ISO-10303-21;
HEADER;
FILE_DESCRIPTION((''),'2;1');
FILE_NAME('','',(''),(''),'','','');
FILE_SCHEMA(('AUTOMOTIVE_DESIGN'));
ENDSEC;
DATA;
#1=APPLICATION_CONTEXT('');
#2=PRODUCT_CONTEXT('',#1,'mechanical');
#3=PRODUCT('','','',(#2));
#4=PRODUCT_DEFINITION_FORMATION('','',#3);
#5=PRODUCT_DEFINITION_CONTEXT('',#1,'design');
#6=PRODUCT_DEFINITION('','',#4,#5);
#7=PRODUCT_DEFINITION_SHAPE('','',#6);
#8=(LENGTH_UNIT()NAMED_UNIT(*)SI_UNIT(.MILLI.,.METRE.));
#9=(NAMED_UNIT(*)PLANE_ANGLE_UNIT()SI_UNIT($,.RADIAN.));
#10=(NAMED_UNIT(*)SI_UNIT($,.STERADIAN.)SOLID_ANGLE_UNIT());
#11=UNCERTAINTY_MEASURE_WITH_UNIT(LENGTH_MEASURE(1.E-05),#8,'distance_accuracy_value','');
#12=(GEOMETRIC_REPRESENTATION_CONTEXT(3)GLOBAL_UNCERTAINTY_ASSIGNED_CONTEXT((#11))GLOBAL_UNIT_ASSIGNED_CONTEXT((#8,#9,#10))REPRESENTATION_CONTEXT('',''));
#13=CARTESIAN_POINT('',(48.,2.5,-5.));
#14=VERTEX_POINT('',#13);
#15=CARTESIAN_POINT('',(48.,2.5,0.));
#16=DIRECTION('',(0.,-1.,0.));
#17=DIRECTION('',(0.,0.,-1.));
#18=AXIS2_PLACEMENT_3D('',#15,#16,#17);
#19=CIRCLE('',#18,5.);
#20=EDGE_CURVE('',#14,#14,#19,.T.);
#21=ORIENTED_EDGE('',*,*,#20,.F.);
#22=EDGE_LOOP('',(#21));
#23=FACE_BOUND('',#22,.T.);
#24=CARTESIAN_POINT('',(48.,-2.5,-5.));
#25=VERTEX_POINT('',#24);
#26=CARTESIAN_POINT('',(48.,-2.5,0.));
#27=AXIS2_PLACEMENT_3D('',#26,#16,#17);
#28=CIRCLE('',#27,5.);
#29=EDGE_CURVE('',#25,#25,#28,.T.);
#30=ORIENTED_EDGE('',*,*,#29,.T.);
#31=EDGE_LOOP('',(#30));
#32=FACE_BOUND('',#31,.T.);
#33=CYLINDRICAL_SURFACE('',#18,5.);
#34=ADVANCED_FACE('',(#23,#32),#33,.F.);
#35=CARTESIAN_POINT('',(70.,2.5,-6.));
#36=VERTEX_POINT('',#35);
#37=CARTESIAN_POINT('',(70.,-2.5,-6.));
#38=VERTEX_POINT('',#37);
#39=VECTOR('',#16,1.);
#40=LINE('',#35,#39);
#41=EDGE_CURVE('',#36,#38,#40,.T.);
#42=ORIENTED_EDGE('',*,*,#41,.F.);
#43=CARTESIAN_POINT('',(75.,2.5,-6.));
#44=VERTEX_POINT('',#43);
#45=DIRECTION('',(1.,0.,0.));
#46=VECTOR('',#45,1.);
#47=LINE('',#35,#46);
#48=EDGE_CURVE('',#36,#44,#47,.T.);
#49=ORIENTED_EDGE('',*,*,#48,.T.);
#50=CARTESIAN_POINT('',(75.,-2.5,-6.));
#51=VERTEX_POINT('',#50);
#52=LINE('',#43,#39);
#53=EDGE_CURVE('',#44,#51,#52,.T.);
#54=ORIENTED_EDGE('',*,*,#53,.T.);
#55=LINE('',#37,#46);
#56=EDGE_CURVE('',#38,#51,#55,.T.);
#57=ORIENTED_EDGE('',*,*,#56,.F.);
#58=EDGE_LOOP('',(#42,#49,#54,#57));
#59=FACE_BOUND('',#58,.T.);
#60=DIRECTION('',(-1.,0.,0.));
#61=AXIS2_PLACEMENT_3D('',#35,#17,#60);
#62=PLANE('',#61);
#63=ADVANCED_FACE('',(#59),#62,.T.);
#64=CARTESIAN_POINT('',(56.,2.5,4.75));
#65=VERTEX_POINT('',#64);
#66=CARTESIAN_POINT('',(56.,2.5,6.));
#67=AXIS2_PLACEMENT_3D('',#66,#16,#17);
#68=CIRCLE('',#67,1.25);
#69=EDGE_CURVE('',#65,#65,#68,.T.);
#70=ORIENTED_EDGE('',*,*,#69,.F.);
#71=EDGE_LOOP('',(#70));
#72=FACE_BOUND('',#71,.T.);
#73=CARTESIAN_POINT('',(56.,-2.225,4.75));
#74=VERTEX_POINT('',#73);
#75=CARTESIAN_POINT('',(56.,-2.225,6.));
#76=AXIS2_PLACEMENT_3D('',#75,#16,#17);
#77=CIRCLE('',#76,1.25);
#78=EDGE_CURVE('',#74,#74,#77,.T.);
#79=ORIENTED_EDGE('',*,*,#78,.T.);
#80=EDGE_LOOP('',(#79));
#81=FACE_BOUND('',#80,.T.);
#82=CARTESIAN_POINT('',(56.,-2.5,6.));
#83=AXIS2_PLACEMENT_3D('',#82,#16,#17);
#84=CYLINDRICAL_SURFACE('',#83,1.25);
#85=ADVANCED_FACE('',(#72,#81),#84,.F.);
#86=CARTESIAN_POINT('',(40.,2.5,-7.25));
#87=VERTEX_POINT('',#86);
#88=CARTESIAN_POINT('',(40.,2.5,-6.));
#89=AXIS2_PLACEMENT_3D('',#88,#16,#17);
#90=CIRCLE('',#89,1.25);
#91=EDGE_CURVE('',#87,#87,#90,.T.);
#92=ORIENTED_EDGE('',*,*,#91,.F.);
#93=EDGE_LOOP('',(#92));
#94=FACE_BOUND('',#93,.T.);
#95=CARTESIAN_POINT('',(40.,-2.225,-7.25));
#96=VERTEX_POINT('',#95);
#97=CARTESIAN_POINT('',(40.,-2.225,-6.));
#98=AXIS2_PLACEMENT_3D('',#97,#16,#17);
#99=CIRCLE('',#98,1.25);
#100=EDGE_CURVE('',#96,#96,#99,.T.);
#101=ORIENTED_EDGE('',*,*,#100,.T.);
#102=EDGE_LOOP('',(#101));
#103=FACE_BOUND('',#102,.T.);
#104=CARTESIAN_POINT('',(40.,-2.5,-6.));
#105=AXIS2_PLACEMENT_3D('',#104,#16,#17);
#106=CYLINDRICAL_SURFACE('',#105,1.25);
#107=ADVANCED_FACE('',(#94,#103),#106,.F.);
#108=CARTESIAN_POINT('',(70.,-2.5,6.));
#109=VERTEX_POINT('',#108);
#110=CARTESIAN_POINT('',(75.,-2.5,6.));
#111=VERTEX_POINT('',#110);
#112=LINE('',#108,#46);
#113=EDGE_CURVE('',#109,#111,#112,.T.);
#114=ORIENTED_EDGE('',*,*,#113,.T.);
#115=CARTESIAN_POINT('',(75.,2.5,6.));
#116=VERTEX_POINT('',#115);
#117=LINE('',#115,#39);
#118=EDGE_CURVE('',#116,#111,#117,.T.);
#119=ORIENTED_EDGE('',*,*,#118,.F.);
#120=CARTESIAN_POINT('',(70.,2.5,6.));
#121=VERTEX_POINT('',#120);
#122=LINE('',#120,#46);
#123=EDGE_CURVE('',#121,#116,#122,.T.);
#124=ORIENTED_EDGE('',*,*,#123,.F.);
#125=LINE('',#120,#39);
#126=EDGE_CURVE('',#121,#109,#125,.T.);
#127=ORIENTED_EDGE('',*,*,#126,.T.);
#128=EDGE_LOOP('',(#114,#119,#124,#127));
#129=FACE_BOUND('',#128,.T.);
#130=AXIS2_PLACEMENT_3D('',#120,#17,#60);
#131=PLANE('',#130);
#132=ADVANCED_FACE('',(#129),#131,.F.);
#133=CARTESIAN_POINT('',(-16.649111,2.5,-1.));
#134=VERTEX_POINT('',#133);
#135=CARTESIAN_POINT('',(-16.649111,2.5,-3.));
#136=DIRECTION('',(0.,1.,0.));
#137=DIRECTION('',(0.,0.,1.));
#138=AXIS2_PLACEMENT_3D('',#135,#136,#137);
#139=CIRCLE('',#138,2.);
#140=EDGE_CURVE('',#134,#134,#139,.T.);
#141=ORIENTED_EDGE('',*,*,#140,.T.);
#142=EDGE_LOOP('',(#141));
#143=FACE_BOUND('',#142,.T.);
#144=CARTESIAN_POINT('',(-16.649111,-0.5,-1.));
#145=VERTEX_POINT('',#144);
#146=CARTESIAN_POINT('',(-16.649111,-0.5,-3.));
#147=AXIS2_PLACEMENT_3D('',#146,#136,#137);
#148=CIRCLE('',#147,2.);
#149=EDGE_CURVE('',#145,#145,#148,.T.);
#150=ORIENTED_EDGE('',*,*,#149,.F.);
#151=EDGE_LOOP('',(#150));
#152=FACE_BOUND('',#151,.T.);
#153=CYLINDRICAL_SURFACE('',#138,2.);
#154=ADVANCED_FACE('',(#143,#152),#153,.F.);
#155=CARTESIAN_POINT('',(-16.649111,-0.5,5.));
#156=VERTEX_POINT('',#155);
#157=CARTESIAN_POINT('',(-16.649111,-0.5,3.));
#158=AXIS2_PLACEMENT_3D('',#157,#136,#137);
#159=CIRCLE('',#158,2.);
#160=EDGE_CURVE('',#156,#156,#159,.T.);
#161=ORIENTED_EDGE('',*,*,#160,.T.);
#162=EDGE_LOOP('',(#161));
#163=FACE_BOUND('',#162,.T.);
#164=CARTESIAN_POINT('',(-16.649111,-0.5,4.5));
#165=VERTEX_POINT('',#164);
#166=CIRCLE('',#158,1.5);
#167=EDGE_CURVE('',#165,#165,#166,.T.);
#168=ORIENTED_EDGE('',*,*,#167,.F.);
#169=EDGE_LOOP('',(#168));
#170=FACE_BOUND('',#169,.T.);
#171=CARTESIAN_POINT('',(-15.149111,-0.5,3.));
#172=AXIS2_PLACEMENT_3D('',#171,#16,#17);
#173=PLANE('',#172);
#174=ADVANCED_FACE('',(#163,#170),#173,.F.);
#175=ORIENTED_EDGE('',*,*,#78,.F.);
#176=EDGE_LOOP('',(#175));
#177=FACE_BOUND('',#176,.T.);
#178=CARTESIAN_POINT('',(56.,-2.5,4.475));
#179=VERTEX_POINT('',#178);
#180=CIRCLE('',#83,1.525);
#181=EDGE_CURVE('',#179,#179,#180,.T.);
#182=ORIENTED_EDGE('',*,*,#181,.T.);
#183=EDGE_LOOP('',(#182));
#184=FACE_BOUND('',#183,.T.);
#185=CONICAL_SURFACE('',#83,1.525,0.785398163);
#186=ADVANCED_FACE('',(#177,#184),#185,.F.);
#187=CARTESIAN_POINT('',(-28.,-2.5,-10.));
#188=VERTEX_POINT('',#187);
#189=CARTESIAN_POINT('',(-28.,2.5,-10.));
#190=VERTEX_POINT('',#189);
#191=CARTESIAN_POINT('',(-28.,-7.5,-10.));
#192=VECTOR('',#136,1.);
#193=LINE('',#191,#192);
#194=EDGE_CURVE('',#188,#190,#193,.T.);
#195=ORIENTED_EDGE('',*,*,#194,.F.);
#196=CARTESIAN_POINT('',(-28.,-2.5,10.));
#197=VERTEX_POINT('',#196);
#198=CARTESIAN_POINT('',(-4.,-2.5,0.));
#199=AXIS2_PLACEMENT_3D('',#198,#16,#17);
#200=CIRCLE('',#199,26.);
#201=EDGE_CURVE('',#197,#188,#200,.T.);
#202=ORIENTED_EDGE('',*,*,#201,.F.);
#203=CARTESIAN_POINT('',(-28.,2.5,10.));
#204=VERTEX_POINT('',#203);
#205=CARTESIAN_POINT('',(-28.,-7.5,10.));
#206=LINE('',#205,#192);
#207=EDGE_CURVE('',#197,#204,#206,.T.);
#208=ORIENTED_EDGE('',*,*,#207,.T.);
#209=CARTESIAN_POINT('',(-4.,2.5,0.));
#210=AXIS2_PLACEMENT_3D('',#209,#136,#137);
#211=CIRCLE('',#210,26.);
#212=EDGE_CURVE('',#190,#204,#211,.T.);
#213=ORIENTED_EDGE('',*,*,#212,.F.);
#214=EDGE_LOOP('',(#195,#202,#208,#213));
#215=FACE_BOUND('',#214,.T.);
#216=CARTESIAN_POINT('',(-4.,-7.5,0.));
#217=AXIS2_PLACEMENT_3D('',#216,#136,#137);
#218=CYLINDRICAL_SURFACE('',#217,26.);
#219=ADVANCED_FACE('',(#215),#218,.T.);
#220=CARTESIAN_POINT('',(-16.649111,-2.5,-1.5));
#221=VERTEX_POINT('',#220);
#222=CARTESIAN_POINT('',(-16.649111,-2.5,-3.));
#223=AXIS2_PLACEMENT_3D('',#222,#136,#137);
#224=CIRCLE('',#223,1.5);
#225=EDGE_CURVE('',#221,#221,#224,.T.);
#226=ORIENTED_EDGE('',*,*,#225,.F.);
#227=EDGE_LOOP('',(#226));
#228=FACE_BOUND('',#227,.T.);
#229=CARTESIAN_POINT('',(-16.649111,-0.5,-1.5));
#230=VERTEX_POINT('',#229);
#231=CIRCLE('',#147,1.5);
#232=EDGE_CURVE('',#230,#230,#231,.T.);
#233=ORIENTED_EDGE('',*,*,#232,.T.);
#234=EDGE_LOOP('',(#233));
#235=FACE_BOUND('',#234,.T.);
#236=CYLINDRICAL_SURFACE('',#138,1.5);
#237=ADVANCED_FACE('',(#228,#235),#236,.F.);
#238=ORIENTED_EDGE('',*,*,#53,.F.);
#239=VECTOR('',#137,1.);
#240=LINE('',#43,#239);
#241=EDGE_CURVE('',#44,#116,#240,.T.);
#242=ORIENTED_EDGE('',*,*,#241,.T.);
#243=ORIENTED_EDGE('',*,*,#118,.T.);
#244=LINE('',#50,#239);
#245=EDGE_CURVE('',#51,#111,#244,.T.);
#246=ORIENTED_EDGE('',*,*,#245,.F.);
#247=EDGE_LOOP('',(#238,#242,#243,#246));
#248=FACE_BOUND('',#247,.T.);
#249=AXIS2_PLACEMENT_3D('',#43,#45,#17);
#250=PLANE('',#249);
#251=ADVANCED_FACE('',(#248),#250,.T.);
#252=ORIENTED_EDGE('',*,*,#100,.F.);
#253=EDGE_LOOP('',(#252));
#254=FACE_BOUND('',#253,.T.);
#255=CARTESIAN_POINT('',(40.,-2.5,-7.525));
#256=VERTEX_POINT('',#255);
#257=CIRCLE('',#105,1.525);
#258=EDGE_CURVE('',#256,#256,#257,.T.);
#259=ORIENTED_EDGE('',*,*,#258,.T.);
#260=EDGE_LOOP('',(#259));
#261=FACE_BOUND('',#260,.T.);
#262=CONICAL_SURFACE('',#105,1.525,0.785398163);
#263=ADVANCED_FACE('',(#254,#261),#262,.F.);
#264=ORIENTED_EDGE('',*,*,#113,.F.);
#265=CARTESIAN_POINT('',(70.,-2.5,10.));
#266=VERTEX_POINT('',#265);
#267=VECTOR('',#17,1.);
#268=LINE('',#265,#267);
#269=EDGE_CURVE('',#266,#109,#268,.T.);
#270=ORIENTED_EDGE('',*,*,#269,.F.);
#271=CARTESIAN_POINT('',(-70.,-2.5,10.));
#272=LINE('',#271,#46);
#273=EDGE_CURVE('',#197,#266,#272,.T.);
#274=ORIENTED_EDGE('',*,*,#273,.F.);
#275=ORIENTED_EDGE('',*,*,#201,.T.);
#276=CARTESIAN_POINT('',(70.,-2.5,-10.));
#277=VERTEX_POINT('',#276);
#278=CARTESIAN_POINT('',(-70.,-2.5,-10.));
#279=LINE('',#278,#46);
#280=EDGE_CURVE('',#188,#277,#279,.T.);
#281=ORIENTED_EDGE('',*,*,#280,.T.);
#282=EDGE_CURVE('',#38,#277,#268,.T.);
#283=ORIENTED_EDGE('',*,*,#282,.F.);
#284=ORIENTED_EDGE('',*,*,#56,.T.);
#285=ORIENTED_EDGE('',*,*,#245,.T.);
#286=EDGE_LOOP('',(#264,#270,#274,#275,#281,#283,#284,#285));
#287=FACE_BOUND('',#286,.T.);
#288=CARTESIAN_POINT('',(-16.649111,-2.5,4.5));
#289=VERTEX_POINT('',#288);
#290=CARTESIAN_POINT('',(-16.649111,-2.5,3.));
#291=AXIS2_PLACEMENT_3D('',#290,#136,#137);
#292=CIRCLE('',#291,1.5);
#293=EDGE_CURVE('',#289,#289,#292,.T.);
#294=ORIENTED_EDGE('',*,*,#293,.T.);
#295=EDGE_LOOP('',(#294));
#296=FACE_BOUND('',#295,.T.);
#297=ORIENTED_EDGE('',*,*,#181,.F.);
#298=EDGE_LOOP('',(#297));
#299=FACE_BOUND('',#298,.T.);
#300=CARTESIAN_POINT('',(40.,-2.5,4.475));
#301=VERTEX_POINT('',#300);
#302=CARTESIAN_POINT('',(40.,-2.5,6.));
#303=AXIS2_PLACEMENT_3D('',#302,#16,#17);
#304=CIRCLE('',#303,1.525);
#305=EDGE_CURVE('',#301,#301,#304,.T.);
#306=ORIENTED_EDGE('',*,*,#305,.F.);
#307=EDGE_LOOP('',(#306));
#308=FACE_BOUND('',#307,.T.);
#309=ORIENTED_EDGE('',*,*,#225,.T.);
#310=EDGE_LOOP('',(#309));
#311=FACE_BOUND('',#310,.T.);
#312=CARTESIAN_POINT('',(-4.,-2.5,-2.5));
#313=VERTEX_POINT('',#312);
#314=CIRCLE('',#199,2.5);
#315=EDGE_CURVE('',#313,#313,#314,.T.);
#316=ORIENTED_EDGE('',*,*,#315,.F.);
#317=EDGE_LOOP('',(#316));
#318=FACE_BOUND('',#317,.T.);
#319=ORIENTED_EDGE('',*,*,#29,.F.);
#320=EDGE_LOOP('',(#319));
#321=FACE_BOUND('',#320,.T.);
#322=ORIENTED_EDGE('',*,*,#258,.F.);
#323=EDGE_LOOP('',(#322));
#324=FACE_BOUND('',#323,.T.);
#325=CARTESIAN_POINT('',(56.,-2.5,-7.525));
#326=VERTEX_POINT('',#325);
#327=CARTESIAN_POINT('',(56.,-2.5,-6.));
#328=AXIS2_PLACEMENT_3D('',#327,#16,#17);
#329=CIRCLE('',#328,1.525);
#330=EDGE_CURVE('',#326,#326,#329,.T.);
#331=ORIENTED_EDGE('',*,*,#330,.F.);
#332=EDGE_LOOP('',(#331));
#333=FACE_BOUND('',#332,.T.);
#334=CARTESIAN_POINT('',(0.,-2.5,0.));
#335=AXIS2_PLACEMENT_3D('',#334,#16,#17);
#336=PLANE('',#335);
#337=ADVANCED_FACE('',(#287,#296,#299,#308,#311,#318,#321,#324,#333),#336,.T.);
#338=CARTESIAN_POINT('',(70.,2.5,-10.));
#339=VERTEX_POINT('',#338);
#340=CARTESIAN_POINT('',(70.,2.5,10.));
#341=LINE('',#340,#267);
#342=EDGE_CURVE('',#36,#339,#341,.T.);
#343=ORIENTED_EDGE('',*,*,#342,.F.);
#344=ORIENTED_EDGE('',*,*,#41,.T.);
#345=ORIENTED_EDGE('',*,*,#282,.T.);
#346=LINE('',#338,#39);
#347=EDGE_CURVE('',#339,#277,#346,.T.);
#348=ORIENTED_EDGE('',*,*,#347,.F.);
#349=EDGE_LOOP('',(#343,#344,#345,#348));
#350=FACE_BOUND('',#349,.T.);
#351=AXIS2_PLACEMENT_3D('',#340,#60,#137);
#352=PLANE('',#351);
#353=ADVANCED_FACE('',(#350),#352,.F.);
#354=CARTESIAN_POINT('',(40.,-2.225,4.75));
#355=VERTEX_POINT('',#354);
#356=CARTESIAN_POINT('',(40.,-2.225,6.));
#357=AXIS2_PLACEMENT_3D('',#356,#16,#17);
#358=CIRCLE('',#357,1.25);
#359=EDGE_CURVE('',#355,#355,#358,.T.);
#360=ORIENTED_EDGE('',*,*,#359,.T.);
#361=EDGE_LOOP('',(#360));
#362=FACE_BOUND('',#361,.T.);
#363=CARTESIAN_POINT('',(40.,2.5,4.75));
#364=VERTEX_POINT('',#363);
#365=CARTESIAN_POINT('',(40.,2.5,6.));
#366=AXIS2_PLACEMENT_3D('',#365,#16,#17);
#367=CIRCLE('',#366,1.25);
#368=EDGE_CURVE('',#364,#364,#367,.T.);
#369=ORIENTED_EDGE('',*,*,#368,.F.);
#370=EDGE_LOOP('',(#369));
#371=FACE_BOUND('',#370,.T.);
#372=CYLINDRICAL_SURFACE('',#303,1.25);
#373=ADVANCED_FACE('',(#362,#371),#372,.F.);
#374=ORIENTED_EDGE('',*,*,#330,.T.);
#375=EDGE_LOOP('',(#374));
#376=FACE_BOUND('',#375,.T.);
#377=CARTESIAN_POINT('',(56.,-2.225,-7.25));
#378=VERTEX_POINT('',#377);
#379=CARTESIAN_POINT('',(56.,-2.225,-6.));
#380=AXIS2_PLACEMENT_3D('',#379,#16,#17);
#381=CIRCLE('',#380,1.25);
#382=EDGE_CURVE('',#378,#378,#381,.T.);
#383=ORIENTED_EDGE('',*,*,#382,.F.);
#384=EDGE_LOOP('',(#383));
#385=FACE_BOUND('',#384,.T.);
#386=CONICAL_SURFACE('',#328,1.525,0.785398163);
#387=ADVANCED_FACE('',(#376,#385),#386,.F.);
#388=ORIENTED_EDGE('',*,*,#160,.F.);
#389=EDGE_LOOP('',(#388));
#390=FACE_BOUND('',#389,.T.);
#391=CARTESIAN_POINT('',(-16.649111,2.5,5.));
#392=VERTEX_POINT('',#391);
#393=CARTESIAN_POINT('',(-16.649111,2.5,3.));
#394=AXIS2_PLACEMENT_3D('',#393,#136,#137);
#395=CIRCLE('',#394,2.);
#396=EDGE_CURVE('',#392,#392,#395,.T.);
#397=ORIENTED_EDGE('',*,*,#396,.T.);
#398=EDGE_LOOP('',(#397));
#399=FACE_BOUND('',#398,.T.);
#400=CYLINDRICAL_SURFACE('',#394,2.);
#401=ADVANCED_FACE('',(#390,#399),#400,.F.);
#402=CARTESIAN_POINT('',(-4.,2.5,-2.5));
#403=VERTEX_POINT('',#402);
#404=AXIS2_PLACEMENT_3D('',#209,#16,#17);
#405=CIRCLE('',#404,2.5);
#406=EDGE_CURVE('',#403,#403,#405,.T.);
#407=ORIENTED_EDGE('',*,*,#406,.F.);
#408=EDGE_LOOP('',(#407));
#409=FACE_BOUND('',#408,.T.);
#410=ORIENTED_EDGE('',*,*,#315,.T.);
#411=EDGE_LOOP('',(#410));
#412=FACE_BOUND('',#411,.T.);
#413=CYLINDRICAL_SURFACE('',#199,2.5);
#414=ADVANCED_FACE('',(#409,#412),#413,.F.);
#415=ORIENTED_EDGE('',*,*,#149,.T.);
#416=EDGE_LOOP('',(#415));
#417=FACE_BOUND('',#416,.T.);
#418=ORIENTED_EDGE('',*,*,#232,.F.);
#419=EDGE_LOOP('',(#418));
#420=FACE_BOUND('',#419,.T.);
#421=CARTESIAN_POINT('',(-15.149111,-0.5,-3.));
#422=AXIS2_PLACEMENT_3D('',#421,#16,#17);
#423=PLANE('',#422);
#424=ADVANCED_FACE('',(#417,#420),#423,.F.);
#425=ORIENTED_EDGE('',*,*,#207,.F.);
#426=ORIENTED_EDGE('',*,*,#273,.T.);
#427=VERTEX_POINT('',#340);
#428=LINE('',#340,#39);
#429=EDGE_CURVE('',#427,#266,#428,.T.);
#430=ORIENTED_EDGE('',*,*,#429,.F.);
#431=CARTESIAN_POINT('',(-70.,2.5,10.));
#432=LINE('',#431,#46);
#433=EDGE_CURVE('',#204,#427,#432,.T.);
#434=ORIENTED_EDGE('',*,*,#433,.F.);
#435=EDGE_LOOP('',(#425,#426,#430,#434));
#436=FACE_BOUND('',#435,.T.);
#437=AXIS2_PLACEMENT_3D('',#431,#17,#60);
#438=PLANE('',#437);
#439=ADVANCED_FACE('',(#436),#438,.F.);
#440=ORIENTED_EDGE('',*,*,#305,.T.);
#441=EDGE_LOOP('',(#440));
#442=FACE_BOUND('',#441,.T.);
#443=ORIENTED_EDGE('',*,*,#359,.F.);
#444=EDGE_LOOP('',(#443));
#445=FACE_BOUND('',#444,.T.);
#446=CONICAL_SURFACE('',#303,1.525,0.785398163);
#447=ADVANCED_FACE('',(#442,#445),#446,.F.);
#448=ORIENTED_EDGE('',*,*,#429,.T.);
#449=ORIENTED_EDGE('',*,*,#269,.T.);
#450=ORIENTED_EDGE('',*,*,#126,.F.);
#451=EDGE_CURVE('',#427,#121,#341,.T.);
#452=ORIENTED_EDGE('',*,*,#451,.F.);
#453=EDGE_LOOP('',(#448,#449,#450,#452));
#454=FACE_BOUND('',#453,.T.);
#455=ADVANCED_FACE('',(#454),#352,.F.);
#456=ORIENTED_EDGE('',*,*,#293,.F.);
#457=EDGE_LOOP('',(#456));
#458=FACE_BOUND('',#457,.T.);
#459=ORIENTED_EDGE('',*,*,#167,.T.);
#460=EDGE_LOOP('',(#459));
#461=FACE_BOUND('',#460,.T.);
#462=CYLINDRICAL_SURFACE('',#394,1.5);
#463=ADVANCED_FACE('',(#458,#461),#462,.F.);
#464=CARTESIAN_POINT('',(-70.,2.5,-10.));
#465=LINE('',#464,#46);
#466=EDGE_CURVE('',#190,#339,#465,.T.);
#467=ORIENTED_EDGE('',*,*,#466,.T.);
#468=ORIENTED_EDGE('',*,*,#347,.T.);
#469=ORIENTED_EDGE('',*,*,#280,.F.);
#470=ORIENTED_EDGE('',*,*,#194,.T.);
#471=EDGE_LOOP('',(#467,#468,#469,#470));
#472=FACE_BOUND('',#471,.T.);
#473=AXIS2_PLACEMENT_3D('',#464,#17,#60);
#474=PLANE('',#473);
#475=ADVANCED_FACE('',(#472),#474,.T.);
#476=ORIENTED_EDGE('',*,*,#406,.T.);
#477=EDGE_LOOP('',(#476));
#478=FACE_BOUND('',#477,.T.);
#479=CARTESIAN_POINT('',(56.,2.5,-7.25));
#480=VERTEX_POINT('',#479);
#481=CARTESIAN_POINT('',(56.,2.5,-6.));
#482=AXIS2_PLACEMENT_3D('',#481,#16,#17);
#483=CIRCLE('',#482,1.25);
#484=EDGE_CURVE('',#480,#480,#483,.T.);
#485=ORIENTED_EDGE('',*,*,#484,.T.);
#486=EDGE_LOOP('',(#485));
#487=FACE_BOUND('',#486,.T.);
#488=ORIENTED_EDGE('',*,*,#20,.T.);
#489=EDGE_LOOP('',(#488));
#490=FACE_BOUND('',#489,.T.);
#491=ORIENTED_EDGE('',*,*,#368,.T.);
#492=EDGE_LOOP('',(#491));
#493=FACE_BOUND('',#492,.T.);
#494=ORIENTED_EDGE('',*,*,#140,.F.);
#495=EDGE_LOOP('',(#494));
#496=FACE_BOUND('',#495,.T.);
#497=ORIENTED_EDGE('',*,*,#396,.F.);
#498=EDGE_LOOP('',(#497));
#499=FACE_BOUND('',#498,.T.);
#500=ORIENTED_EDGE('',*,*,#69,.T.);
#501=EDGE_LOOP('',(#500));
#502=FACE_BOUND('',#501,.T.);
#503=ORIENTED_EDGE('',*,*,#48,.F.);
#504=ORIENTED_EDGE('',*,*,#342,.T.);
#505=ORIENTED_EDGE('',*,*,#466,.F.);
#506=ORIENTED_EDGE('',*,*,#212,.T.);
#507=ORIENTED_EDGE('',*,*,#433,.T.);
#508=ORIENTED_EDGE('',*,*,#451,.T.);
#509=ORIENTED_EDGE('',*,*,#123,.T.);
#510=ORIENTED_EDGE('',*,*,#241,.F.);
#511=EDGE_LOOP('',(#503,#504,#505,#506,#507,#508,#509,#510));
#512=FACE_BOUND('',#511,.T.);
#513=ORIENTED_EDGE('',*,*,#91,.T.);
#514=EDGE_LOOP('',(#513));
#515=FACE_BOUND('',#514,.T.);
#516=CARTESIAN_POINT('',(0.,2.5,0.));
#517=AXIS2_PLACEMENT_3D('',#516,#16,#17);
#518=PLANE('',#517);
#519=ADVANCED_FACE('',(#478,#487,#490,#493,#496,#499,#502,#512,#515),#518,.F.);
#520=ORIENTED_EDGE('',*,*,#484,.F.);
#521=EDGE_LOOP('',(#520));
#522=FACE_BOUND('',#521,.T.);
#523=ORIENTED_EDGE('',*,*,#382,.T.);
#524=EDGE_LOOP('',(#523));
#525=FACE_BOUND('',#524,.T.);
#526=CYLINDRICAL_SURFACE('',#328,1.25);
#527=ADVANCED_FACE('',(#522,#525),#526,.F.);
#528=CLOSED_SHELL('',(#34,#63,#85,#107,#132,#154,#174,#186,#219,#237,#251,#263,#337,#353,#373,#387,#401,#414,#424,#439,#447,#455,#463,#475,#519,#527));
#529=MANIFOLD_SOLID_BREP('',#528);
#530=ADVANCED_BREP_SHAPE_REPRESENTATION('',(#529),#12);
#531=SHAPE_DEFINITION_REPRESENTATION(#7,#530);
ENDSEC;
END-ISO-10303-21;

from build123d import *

# Parameters (mm, degrees)
SKETCH1_W                               = 140
SKETCH1_H                               = 20
SKETCH1_W_2                             = 5
SKETCH1_H_2                             = 12
BOSS_EXTRUDE1_DEPTH                     = 2.5
SKETCH2_R                               = 5
CUT_EXTRUDE1_DEPTH                      = 5
M3_TAPPED_HOLE2_D                       = 2.5
M3_TAPPED_HOLE2_CSINK_D                 = 3.05
M3_TAPPED_HOLE2_CSINK_ANGLE             = 90
F_5_0MM_DOWEL_HOLE1_D                   = 5
CBORE_FOR_M5_HEX_HEAD_BOLT2_D           = 3
CBORE_FOR_M5_HEX_HEAD_BOLT2_CBORE_D     = 4
CBORE_FOR_M5_HEX_HEAD_BOLT2_CBORE_DEPTH = 3
CUT_EXTRUDE2_DEPTH                      = 10


with BuildPart() as part:
    # Sketch1 → Boss-Extrude1 (new, symmetric)
    with BuildSketch(Plane(origin=(0, 0, 0), x_dir=(1, 0, 0), z_dir=(0, 1, 0))):
        Rectangle(SKETCH1_W, SKETCH1_H)
        with Locations((72.5, 0)):
            Rectangle(SKETCH1_W_2, SKETCH1_H_2)
    extrude(amount=BOSS_EXTRUDE1_DEPTH, both=True)

    # Sketch2 → Cut-Extrude1 (cut)
    with BuildSketch(Plane.XZ.offset(2.5)):
        with Locations(Location((48, 0, 0), (0, 0, 270))):
            Circle(SKETCH2_R)
    extrude(amount=-CUT_EXTRUDE1_DEPTH, mode=Mode.SUBTRACT)

    # M3 Tapped Hole2 (through all)
    with Locations(Plane(origin=(0, -2.5, 0), x_dir=(-1, 0, 0), z_dir=(0, -1, 0))):
        with Locations((-56, 6), (-40, 6), (-40, -6), (-56, -6)):
            CounterSinkHole(M3_TAPPED_HOLE2_D / 2, M3_TAPPED_HOLE2_CSINK_D / 2, counter_sink_angle=M3_TAPPED_HOLE2_CSINK_ANGLE)

    # Ø5.0mm Dowel Hole1 (through all)
    with Locations(Plane(origin=(0, -2.5, 0), x_dir=(-1, 0, 0), z_dir=(0, -1, 0))):
        with Locations((4, 0)):
            Hole(F_5_0MM_DOWEL_HOLE1_D / 2)

    # CBORE for M5 Hex Head Bolt2 (through all)
    with Locations(Plane(origin=(-16.649110641, 2.5, 3), x_dir=(0, 0, 1), z_dir=(0, 1, 0))):
        with Locations((0, 0), (-6, 0)):
            CounterBoreHole(CBORE_FOR_M5_HEX_HEAD_BOLT2_D / 2, CBORE_FOR_M5_HEX_HEAD_BOLT2_CBORE_D / 2, CBORE_FOR_M5_HEX_HEAD_BOLT2_CBORE_DEPTH)

    # Sketch29 → Cut-Extrude2 (cut)
    with BuildSketch(Plane(origin=(0, 2.5, 0), x_dir=(1, 0, 0), z_dir=(0, 1, 0))):
        with BuildLine():
            ThreePointArc((-28, -10), (-30, 0), (-28, 10))
            Line((-28, 10), (-70, 10))
            Line((-70, 10), (-70, -10))
            Line((-70, -10), (-28, -10))
        make_face()
    extrude(amount=-CUT_EXTRUDE2_DEPTH, mode=Mode.SUBTRACT)


solid = part.part
